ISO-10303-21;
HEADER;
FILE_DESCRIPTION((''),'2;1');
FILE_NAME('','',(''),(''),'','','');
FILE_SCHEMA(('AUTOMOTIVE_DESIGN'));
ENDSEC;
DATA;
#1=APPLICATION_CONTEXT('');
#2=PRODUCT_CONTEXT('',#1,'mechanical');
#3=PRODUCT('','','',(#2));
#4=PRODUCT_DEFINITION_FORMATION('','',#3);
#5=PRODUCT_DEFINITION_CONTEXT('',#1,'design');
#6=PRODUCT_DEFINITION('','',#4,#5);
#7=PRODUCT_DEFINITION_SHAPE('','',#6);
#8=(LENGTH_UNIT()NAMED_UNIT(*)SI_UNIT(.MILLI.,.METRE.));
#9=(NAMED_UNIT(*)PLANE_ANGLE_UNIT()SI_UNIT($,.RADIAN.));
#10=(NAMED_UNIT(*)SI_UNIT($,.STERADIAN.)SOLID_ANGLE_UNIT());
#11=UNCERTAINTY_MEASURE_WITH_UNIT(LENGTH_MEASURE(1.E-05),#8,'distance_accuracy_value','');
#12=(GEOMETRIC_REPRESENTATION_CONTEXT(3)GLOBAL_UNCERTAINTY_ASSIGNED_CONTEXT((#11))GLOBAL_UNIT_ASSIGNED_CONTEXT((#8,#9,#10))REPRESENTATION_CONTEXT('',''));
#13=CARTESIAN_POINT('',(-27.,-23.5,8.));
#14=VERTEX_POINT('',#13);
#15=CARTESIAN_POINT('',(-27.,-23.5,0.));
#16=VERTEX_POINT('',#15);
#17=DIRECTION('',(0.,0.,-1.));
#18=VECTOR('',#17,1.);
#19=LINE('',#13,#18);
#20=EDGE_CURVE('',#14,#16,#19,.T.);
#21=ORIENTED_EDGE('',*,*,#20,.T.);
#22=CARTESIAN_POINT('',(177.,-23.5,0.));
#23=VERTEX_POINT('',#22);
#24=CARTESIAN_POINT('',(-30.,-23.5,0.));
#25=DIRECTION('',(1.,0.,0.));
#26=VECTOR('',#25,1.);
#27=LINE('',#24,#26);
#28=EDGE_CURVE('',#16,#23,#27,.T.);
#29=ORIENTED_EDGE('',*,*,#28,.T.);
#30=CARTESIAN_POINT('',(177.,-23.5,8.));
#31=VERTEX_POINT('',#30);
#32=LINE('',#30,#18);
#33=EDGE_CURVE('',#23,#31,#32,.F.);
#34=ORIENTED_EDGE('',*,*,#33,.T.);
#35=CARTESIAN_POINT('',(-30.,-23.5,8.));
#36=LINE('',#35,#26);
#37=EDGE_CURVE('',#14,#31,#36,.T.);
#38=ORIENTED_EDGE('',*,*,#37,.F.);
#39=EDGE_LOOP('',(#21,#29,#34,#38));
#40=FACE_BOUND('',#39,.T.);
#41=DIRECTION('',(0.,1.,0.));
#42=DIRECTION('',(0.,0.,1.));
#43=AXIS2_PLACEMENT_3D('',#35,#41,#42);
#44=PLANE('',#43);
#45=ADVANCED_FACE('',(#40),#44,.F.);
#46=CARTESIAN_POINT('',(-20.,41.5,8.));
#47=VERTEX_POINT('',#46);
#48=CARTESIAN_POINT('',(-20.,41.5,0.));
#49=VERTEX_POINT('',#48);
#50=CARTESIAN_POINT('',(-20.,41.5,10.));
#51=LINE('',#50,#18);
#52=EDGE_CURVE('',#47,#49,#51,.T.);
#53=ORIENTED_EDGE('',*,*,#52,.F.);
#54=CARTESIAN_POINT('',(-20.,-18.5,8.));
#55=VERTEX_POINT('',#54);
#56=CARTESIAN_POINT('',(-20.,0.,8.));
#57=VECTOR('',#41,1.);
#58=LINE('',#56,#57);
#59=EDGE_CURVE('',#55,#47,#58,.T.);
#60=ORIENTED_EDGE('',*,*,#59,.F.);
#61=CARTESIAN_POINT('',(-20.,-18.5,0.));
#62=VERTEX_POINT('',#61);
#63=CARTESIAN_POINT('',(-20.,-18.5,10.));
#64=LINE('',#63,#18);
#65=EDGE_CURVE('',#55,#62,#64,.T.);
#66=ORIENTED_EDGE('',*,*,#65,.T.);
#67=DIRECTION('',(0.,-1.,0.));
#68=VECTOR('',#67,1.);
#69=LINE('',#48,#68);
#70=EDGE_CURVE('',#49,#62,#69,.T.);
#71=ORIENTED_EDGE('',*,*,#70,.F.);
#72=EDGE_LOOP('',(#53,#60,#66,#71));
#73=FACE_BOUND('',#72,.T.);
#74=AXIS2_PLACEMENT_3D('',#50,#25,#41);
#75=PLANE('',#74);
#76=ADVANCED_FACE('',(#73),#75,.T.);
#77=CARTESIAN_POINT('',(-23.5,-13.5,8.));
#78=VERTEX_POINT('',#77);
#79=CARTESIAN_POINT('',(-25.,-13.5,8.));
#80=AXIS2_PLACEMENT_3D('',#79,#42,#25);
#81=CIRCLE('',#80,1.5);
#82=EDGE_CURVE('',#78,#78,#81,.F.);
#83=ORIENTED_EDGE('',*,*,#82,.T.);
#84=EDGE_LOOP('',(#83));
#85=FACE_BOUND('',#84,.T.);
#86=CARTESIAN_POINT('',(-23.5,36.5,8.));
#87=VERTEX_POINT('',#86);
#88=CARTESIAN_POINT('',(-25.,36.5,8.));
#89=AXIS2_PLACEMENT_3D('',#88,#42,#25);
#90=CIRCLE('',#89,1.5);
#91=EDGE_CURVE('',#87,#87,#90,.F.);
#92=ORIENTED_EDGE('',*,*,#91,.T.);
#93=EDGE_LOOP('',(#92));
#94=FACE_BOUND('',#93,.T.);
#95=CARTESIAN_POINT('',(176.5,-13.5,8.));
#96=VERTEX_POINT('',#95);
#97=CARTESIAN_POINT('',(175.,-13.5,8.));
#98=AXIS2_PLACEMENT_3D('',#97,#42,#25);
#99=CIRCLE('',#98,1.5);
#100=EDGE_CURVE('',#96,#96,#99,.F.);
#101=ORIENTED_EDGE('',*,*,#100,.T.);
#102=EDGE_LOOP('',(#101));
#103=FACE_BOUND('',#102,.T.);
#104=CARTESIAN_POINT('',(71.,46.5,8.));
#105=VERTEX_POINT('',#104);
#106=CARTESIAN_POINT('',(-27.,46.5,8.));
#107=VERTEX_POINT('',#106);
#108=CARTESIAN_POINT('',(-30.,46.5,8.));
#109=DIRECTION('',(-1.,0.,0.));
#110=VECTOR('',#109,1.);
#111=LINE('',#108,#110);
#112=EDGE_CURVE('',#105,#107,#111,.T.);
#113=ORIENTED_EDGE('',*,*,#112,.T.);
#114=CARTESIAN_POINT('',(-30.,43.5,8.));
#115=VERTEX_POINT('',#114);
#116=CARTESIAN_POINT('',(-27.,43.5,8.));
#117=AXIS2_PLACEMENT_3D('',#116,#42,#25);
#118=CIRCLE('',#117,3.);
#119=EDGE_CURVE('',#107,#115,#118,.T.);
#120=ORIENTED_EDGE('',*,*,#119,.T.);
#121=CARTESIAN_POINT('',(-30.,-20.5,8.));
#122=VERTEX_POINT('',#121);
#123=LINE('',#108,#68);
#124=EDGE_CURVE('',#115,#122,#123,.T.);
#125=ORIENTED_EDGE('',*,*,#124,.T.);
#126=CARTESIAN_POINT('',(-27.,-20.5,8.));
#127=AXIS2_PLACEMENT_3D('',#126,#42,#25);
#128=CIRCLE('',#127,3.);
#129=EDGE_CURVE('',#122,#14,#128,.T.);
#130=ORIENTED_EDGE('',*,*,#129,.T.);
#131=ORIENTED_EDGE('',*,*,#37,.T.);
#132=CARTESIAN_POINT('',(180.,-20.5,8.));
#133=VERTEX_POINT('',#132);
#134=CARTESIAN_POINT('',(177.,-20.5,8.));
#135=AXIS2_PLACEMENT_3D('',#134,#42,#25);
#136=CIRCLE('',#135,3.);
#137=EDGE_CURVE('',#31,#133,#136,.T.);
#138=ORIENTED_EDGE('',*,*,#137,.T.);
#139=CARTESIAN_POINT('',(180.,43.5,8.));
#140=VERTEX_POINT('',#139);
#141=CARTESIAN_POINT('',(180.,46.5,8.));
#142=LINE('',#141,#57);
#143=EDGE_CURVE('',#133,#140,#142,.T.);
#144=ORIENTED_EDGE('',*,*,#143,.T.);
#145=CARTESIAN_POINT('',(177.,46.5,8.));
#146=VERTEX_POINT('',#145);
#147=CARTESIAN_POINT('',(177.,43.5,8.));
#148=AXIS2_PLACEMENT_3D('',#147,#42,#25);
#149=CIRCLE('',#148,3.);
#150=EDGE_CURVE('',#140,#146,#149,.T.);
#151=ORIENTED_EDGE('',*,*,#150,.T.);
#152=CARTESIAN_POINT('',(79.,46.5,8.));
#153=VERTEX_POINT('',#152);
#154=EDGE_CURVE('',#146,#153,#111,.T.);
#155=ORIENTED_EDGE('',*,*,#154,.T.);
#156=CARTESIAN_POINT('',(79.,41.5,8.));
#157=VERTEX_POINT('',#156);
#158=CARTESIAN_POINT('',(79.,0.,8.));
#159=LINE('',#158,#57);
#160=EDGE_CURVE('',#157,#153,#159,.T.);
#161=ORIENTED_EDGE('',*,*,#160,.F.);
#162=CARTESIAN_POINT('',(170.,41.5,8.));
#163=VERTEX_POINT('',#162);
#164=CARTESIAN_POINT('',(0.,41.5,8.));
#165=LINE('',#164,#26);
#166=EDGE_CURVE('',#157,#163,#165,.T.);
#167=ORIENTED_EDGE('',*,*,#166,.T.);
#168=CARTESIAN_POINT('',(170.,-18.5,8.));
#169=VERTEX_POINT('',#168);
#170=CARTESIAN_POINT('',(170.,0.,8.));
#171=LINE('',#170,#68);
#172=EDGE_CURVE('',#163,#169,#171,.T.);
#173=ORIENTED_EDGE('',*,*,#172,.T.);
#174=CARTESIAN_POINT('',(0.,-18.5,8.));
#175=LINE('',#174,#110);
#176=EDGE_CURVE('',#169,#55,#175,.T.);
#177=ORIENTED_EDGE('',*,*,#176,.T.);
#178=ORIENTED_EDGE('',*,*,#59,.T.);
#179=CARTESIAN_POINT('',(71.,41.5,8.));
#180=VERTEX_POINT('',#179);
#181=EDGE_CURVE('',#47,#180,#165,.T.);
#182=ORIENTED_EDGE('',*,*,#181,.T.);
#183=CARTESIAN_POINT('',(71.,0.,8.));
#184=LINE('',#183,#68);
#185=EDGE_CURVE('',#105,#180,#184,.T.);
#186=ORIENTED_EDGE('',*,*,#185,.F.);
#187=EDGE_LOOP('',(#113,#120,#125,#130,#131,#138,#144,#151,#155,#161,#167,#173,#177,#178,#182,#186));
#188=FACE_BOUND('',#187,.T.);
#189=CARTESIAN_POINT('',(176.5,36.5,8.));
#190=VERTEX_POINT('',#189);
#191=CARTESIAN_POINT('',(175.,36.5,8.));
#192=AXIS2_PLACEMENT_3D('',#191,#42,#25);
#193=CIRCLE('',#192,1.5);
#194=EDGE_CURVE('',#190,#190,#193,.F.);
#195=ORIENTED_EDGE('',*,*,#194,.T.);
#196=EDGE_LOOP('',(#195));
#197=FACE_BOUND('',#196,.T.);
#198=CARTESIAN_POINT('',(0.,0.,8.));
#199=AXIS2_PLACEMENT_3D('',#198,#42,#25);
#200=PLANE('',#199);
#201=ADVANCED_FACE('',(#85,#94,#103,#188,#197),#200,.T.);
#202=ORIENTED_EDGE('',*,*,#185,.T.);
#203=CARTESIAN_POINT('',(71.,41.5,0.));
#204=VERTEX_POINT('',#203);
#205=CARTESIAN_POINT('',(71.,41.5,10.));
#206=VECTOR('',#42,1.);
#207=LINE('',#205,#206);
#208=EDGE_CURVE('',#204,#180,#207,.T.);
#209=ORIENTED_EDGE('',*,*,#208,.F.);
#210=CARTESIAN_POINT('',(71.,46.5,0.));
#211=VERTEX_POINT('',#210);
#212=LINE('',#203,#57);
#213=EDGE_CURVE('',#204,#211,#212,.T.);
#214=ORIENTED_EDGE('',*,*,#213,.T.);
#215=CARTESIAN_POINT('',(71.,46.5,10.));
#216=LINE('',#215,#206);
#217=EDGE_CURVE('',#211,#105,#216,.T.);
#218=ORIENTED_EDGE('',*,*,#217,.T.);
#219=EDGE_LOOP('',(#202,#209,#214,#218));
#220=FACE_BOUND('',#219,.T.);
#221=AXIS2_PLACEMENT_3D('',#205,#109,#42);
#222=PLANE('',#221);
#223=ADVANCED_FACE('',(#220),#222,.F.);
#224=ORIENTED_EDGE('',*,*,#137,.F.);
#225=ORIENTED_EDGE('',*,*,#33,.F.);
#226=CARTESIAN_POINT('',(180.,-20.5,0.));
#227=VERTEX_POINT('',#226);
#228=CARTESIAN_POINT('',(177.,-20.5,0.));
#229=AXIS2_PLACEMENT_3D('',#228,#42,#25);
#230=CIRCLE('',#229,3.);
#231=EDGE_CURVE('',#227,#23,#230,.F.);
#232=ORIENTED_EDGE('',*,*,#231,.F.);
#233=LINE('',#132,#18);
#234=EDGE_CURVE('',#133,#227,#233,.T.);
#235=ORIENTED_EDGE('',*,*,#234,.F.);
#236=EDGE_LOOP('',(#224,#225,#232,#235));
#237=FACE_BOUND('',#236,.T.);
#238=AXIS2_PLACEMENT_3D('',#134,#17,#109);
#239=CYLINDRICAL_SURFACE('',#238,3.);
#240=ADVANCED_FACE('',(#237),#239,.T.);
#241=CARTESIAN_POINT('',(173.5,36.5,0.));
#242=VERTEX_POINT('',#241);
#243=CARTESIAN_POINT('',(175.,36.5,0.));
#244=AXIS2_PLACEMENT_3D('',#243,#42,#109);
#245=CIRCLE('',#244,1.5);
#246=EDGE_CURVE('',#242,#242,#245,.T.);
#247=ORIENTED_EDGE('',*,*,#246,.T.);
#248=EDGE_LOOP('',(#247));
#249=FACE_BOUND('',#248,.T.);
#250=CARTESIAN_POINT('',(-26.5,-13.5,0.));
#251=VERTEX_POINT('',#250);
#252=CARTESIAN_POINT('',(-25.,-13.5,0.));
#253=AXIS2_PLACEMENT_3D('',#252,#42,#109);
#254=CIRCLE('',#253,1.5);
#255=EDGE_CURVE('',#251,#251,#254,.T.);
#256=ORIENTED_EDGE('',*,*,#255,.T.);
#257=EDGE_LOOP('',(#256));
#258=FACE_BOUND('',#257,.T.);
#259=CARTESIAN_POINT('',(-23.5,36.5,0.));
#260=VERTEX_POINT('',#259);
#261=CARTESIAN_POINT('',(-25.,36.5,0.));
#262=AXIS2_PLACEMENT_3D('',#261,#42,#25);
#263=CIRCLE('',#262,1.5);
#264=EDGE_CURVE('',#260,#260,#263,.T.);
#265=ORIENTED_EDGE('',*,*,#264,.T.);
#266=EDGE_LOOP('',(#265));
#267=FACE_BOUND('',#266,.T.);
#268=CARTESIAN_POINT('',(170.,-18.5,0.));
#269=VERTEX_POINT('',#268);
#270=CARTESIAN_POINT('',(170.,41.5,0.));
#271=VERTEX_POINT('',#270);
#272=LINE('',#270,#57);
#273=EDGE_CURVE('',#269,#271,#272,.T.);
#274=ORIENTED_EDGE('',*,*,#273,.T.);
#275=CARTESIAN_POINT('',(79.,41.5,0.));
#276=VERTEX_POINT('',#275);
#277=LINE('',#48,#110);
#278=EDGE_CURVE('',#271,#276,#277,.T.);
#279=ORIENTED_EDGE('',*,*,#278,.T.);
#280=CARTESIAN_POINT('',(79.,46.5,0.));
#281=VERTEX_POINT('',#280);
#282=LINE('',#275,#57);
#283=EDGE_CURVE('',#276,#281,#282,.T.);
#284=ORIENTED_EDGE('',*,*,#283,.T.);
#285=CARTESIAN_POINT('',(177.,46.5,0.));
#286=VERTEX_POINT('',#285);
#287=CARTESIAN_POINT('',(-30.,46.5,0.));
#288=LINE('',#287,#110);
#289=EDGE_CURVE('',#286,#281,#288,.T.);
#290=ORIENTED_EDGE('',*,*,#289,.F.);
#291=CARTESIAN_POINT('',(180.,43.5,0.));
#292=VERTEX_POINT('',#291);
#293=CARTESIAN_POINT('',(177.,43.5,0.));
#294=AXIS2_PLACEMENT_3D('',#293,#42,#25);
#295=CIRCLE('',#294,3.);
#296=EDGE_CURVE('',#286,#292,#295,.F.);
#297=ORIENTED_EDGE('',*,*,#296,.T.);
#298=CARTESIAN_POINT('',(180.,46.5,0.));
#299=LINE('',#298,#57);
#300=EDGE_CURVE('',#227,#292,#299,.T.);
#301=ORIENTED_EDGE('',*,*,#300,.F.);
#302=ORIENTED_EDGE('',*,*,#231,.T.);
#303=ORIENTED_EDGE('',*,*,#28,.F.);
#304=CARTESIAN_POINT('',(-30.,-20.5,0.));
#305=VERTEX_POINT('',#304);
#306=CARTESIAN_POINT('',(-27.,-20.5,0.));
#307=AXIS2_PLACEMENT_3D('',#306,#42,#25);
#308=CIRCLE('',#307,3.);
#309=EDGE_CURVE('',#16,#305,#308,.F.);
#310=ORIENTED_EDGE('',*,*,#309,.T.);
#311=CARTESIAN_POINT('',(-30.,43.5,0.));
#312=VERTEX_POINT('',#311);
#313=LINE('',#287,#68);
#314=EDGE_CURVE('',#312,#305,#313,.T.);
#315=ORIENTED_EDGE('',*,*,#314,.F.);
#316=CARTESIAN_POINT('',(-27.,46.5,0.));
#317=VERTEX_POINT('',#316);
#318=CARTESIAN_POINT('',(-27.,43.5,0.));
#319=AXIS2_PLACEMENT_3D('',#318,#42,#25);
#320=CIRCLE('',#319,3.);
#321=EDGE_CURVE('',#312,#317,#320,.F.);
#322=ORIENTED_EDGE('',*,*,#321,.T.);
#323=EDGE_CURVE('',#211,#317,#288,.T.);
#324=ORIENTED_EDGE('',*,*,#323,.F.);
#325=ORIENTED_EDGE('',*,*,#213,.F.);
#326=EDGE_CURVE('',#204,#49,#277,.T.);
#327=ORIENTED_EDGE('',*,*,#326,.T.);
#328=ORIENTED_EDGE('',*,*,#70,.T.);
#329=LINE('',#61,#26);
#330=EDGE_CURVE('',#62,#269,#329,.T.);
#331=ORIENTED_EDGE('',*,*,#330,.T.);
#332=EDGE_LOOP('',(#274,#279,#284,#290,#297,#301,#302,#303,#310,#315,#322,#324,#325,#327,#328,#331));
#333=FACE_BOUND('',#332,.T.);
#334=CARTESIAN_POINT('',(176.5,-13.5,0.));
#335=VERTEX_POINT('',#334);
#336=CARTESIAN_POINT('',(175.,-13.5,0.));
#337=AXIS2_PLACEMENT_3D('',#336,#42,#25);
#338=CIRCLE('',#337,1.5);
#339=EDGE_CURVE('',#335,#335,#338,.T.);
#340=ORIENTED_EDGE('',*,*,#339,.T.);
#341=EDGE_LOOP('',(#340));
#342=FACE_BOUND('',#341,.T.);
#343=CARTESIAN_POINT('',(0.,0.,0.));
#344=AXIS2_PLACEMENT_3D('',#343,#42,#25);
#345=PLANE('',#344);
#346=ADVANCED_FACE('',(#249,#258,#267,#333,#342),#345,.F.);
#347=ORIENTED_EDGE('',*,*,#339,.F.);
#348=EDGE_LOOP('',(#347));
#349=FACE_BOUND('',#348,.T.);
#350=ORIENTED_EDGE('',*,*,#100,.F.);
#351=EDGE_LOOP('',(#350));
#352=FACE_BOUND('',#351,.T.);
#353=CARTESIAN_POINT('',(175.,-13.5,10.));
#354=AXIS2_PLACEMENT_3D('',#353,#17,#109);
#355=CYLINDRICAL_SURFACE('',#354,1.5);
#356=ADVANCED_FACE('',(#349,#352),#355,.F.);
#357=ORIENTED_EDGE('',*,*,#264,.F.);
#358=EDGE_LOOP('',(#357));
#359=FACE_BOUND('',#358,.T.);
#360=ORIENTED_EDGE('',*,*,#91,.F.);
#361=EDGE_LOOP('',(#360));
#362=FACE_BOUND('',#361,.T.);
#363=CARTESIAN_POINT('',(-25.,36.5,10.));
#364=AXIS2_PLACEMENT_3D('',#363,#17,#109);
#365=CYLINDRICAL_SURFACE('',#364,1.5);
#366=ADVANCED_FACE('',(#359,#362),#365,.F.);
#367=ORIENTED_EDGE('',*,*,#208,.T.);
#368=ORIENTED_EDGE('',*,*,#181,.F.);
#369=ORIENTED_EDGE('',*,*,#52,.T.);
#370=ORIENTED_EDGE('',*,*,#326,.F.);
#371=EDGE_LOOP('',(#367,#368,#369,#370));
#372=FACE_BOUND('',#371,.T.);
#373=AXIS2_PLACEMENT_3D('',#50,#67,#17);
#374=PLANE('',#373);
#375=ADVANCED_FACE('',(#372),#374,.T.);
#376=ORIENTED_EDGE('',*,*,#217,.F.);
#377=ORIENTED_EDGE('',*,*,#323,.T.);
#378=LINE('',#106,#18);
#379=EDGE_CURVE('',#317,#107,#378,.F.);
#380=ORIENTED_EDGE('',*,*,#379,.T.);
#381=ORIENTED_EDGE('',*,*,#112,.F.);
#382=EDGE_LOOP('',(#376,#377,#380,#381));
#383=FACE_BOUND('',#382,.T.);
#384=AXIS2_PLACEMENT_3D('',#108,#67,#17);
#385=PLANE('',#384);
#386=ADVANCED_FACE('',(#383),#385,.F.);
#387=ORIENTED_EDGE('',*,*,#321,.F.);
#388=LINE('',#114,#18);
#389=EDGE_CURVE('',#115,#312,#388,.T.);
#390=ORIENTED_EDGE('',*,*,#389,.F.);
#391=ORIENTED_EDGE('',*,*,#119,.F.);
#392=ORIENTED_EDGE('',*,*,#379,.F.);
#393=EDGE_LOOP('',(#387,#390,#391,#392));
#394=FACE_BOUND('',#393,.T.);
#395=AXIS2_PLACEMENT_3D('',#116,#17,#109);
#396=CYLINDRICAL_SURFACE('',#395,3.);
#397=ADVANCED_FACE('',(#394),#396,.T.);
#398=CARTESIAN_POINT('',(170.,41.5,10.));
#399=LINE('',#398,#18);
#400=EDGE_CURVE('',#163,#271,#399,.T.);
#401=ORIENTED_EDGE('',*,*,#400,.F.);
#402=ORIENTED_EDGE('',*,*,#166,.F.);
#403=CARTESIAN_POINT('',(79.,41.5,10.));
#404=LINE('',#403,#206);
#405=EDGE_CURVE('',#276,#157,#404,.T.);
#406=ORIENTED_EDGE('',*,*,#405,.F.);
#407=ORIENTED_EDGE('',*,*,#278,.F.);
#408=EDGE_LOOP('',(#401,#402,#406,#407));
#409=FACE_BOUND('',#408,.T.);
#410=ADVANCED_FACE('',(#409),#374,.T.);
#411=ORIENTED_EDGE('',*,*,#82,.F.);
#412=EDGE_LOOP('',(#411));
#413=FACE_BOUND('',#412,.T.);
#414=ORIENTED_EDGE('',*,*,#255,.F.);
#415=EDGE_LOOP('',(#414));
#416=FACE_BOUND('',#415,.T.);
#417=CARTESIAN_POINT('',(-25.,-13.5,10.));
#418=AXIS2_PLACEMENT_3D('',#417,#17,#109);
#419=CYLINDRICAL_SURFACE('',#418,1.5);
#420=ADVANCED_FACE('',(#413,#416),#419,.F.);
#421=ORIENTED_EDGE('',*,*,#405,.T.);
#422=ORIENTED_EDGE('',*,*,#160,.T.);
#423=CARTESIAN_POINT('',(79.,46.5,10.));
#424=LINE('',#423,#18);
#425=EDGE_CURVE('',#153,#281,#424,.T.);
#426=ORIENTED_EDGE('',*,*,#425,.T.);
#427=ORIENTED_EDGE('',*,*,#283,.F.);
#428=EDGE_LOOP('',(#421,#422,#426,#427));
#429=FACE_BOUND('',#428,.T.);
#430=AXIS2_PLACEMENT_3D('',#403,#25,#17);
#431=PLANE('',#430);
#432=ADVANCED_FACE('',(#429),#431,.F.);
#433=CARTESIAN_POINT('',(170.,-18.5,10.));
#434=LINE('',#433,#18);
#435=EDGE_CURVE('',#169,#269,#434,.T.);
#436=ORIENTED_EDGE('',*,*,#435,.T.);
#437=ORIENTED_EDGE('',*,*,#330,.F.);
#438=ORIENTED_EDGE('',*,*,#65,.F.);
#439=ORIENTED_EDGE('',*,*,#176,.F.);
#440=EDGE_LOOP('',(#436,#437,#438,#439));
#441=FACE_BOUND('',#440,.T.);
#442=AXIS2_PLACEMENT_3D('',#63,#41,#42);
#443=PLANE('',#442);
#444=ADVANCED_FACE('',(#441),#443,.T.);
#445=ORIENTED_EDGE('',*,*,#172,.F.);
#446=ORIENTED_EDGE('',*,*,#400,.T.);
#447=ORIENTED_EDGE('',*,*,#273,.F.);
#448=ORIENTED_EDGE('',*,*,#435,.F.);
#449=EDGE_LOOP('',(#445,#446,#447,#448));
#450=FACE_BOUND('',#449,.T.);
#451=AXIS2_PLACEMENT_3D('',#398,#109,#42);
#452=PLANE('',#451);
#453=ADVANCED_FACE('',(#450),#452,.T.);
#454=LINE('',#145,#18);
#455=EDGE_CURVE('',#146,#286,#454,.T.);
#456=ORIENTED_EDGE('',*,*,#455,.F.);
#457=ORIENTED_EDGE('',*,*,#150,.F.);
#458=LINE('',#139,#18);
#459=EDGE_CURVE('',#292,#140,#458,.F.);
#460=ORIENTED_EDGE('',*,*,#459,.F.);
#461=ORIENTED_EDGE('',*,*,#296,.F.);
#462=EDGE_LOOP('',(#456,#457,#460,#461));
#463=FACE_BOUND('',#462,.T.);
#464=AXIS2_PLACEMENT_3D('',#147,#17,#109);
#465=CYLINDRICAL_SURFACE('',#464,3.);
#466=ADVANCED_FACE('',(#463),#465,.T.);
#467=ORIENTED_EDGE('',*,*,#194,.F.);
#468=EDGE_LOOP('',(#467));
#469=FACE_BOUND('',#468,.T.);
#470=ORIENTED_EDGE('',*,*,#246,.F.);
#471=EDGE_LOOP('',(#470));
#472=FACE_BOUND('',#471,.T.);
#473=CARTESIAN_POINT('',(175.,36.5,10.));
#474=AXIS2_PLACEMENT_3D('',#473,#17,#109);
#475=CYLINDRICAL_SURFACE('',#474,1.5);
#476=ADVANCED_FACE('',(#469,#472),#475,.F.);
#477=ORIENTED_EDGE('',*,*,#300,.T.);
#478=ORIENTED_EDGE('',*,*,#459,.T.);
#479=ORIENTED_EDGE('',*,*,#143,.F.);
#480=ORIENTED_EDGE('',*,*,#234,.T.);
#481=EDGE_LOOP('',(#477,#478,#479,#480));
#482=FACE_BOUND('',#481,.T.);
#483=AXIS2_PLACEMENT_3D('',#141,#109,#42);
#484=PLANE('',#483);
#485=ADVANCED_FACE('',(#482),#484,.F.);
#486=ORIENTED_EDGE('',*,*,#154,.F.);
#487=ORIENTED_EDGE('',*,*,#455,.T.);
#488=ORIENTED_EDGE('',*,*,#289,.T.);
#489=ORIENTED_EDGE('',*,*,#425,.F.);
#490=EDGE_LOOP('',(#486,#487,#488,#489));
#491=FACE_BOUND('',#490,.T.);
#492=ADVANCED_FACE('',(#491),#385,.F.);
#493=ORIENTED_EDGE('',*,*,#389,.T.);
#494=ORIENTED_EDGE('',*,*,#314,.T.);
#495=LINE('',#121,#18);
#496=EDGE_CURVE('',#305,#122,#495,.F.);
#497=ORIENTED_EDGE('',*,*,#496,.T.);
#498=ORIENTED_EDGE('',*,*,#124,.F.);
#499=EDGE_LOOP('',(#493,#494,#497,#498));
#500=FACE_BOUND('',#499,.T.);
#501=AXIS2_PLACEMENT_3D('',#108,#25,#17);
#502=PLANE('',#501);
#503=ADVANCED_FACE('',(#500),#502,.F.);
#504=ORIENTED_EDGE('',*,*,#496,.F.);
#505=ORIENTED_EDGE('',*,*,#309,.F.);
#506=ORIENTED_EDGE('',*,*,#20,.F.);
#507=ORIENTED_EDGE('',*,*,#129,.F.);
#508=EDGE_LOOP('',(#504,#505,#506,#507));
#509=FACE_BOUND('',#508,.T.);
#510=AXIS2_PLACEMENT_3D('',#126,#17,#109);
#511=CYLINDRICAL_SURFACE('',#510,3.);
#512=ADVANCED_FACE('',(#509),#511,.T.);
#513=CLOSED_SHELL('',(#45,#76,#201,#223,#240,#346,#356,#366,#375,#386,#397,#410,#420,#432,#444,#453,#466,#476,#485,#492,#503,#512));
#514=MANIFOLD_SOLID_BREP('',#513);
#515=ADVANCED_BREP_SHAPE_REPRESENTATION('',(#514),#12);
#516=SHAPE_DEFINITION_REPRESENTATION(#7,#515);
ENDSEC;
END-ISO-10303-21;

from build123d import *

# Parameters (mm, degrees)
SKETCH_1_W          = 210
SKETCH_1_H          = 70
EXTRUDE_1_DEPTH     = 8
SKETCH_2_W          = 190
SKETCH_2_H          = 60
CUT_EXTRUDE_1_DEPTH = 10
SKETCH_3_R          = 1.5
CUT_EXTRUDE_2_DEPTH = 10
SKETCH_4_W          = 8
SKETCH_4_H          = 10
CUT_EXTRUDE_3_DEPTH = 5
FILLET_1_R          = 3


with BuildPart() as part:
    # 草图1 → 凸台-拉伸1 (new body)
    with BuildSketch(Plane.XY):
        with Locations((75, 11.5)):
            Rectangle(SKETCH_1_W, SKETCH_1_H)
    extrude(amount=EXTRUDE_1_DEPTH)

    # 草图2 → 切除-拉伸1 (cut)
    with BuildSketch(Plane.XY):
        with Locations((75, 11.5)):
            Rectangle(SKETCH_2_W, SKETCH_2_H)
    extrude(amount=CUT_EXTRUDE_1_DEPTH, mode=Mode.SUBTRACT)

    # 草图3 → 切除-拉伸2 (cut)
    with BuildSketch(Plane.XY):
        with Locations((-25, 36.5)):
            Circle(SKETCH_3_R)
        with Locations((175, 36.5)):
            Circle(SKETCH_3_R)
        with Locations((-25, -13.5)):
            Circle(SKETCH_3_R)
        with Locations((175, -13.5)):
            Circle(SKETCH_3_R)
    extrude(amount=CUT_EXTRUDE_2_DEPTH, mode=Mode.SUBTRACT)

    # 草图4 → 切除-拉伸3 (cut)
    with BuildSketch(Plane(origin=(0, 46.5, 0), x_dir=(1, 0, 0), z_dir=(0, 1, 0))):
        with Locations((75, -5)):
            Rectangle(SKETCH_4_W, SKETCH_4_H)
    extrude(amount=-CUT_EXTRUDE_3_DEPTH, mode=Mode.SUBTRACT)

    # 圆角1
    fillet_1_edges = [part.edges().sort_by_distance(p)[0] for p in [
        (-30, 46.5, 4),
        (180, 46.5, 4),
        (180, -23.5, 4),
        (-30, -23.5, 4),
    ]]
    fillet(fillet_1_edges, radius=FILLET_1_R)


solid = part.part
